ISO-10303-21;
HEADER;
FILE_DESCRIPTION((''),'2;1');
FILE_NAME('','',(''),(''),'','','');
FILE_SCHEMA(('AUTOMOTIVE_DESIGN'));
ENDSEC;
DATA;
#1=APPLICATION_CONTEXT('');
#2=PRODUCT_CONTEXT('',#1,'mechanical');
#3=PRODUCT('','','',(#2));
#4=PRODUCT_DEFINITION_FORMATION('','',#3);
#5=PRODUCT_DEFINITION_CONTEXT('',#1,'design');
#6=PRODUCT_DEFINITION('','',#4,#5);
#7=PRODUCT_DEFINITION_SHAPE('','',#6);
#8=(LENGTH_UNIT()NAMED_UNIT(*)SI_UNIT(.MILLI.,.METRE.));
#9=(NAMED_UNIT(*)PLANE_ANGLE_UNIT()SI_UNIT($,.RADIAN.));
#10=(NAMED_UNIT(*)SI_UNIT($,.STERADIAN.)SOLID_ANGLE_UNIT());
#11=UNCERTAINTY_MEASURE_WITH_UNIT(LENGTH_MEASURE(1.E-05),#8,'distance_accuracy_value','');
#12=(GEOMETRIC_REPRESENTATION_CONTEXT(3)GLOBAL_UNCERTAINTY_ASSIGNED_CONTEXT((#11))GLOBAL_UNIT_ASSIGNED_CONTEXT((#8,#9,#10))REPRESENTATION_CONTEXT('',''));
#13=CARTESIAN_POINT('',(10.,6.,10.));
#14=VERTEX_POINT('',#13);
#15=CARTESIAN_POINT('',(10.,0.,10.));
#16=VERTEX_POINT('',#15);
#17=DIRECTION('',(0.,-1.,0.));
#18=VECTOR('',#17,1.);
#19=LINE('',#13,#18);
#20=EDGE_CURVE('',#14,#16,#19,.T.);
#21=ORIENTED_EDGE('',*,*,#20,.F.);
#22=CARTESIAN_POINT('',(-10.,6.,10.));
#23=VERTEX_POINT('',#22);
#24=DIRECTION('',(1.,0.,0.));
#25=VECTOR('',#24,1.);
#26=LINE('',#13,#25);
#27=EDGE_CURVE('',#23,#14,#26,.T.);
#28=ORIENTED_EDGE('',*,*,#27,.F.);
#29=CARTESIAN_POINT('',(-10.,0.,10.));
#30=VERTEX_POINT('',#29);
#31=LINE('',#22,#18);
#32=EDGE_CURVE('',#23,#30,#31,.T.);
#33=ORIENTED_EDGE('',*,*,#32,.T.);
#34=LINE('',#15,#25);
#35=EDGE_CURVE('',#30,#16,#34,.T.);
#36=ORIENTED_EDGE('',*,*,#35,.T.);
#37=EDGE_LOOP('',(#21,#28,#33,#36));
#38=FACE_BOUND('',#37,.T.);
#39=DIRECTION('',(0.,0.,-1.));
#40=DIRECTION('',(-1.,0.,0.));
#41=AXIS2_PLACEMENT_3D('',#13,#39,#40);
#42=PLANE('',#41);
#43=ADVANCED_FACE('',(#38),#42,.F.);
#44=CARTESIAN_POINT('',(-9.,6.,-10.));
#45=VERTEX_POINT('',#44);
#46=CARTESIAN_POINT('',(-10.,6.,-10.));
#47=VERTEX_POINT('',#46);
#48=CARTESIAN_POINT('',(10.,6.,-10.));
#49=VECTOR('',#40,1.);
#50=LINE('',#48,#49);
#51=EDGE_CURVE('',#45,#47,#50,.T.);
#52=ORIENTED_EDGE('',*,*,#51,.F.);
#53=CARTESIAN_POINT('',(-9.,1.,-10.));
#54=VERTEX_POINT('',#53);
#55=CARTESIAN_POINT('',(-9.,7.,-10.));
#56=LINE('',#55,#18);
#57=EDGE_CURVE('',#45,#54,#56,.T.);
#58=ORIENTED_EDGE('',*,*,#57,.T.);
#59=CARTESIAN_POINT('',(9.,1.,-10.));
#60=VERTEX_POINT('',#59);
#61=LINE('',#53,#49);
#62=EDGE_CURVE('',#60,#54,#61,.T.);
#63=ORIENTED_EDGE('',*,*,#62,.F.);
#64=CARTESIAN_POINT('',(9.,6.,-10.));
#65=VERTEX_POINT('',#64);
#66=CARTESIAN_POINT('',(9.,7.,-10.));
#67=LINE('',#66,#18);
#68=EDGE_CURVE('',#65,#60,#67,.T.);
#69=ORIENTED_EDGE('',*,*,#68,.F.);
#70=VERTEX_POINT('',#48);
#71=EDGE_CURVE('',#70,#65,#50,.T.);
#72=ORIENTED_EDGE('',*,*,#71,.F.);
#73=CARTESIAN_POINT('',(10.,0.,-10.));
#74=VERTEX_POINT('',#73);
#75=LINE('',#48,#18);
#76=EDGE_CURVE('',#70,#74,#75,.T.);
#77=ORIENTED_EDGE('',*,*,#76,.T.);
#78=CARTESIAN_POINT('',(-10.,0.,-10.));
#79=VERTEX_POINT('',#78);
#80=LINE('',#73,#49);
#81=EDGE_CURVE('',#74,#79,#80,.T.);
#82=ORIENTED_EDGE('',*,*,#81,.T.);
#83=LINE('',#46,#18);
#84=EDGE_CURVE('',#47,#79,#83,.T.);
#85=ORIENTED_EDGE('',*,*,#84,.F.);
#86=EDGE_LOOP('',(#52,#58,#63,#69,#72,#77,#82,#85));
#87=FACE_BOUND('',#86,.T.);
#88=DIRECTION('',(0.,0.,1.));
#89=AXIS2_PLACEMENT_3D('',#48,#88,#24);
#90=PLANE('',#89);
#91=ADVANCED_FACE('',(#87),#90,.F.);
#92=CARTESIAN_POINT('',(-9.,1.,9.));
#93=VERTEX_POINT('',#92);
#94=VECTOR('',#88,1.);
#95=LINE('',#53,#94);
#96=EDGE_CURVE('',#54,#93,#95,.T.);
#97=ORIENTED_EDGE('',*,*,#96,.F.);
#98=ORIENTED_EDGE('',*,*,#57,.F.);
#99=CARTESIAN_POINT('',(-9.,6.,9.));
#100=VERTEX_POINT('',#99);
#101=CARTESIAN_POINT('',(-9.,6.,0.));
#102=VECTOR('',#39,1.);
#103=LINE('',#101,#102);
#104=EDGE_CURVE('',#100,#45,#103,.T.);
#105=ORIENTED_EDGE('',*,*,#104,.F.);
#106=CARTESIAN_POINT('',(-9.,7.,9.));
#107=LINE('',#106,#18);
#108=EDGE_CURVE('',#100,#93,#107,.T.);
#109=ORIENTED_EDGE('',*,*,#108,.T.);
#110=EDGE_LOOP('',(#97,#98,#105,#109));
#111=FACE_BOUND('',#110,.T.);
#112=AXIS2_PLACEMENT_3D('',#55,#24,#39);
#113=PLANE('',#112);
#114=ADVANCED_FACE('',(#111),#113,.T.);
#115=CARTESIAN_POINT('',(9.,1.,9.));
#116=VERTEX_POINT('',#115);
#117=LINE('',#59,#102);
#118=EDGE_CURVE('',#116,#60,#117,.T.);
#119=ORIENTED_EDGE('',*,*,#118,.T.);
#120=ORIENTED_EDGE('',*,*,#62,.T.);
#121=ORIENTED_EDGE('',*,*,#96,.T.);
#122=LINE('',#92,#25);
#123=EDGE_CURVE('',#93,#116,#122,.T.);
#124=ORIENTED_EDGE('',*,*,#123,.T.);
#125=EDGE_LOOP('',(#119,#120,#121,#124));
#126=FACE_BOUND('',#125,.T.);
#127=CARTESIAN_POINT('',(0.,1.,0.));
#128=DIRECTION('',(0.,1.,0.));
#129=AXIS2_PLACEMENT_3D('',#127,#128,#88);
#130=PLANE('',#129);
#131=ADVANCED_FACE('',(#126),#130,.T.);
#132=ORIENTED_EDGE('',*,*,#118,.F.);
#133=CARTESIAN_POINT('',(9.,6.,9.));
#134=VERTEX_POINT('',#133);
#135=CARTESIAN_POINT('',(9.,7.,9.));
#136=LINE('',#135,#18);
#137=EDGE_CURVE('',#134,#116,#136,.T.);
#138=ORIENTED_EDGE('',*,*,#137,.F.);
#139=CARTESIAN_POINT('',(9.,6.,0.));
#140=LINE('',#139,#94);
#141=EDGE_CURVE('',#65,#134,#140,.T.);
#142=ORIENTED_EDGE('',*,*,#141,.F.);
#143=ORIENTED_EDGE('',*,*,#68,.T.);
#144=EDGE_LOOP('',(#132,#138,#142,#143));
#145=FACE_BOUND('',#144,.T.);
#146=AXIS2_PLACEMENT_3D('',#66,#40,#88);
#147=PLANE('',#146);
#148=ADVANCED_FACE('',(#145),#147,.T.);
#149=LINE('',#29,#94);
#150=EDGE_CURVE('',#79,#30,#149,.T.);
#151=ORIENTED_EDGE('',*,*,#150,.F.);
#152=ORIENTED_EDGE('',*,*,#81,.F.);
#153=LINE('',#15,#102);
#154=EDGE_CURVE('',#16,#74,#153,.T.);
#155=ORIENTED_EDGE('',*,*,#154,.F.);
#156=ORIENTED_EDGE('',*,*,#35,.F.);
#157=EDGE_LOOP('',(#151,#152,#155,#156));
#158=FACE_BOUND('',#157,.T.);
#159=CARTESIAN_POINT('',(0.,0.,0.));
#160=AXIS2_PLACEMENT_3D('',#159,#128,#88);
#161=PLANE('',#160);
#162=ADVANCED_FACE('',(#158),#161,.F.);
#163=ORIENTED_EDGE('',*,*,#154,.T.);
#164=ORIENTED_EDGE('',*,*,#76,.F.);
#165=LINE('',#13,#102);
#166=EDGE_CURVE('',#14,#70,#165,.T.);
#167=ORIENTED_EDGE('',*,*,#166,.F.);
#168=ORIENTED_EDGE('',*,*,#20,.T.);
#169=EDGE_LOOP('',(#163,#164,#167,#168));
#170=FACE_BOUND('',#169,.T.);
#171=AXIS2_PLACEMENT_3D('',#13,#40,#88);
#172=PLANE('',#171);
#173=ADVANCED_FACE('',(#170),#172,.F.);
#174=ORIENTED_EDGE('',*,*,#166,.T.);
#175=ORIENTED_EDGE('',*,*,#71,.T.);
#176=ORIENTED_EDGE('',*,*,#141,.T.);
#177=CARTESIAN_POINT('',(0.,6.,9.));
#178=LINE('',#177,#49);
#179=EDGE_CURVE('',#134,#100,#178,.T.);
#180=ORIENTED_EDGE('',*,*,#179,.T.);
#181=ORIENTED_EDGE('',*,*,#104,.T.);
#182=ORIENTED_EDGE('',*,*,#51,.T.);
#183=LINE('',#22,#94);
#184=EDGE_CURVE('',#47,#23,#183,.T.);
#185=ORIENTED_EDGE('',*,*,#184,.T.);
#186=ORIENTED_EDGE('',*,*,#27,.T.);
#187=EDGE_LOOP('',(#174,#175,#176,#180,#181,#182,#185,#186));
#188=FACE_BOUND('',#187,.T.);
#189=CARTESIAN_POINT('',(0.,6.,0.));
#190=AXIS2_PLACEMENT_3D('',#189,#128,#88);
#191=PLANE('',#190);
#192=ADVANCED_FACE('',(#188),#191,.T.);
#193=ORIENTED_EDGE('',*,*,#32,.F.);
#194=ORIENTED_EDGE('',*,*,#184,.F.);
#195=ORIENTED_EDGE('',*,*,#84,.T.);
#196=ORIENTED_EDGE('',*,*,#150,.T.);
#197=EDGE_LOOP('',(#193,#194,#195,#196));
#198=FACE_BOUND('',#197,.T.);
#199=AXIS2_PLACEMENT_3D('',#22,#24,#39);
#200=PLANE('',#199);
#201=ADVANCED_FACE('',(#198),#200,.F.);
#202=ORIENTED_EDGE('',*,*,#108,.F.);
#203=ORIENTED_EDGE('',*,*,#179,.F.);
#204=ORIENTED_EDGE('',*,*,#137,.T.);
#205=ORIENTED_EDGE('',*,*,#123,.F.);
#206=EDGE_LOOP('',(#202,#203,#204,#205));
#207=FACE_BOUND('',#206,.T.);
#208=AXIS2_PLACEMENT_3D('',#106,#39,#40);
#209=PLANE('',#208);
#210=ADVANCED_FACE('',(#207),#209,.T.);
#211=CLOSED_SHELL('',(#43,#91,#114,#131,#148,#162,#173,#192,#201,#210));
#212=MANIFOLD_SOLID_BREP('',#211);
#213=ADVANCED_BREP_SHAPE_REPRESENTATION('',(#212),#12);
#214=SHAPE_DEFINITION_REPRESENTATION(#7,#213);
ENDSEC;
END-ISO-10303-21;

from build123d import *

# Parameters (mm, degrees)
SKETCH_1_W          = 20
SKETCH_1_H          = 20
EXTRUDE_1_DEPTH     = 6
CUT_EXTRUDE_START   = 1
SKETCH_3_W          = 18
SKETCH_3_H          = 19
CUT_EXTRUDE_1_DEPTH = 6
EXTRUDE_START       = 6
SKETCH_4_W          = 20
SKETCH_4_H          = 20
EXTRUDE_2_DEPTH     = 1
CUT_EXTRUDE_START_2 = 7
SKETCH_7_W          = 14
SKETCH_7_H          = 16
CUT_EXTRUDE_3_DEPTH = 1
SKETCH_8_W          = 20
SKETCH_8_H          = 20
CUT_EXTRUDE_4_DEPTH = 1


with BuildPart() as part:
    # 스케치1 → 보스-돌출1 (new body)
    with BuildSketch(Plane(origin=(0, 0, 0), x_dir=(1, 0, 0), z_dir=(0, 1, 0))):
        Rectangle(SKETCH_1_W, SKETCH_1_H)
    extrude(amount=EXTRUDE_1_DEPTH)

    # 스케치3 → 컷-돌출1 (cut)
    with BuildSketch(Plane(origin=(0, 0, 0), x_dir=(1, 0, 0), z_dir=(0, 1, 0)).offset(CUT_EXTRUDE_START)):
        with Locations((0, 0.5)):
            Rectangle(SKETCH_3_W, SKETCH_3_H)
    extrude(amount=CUT_EXTRUDE_1_DEPTH, mode=Mode.SUBTRACT)


with BuildPart() as body_2:
    # 스케치4 → 보스-돌출2 (new body)
    with BuildSketch(Plane(origin=(0, 0, 0), x_dir=(1, 0, 0), z_dir=(0, 1, 0)).offset(EXTRUDE_START)):
        Rectangle(SKETCH_4_W, SKETCH_4_H)
    extrude(amount=EXTRUDE_2_DEPTH)

    # 스케치7 → 컷-돌출3 (cut)
    with BuildSketch(Plane(origin=(0, 0, 0), x_dir=(1, 0, 0), z_dir=(0, 1, 0)).offset(CUT_EXTRUDE_START_2)):
        with Locations((0, -1)):
            Rectangle(SKETCH_7_W, SKETCH_7_H)
    extrude(amount=-CUT_EXTRUDE_3_DEPTH, mode=Mode.SUBTRACT)

    # 스케치8 → 컷-돌출4 (cut)
    with BuildSketch(Plane(origin=(0, 7, 0), x_dir=(1, 0, 0), z_dir=(0, 1, 0))):
        Rectangle(SKETCH_8_W, SKETCH_8_H)
    extrude(amount=-CUT_EXTRUDE_4_DEPTH, mode=Mode.SUBTRACT)


solid = part.part
